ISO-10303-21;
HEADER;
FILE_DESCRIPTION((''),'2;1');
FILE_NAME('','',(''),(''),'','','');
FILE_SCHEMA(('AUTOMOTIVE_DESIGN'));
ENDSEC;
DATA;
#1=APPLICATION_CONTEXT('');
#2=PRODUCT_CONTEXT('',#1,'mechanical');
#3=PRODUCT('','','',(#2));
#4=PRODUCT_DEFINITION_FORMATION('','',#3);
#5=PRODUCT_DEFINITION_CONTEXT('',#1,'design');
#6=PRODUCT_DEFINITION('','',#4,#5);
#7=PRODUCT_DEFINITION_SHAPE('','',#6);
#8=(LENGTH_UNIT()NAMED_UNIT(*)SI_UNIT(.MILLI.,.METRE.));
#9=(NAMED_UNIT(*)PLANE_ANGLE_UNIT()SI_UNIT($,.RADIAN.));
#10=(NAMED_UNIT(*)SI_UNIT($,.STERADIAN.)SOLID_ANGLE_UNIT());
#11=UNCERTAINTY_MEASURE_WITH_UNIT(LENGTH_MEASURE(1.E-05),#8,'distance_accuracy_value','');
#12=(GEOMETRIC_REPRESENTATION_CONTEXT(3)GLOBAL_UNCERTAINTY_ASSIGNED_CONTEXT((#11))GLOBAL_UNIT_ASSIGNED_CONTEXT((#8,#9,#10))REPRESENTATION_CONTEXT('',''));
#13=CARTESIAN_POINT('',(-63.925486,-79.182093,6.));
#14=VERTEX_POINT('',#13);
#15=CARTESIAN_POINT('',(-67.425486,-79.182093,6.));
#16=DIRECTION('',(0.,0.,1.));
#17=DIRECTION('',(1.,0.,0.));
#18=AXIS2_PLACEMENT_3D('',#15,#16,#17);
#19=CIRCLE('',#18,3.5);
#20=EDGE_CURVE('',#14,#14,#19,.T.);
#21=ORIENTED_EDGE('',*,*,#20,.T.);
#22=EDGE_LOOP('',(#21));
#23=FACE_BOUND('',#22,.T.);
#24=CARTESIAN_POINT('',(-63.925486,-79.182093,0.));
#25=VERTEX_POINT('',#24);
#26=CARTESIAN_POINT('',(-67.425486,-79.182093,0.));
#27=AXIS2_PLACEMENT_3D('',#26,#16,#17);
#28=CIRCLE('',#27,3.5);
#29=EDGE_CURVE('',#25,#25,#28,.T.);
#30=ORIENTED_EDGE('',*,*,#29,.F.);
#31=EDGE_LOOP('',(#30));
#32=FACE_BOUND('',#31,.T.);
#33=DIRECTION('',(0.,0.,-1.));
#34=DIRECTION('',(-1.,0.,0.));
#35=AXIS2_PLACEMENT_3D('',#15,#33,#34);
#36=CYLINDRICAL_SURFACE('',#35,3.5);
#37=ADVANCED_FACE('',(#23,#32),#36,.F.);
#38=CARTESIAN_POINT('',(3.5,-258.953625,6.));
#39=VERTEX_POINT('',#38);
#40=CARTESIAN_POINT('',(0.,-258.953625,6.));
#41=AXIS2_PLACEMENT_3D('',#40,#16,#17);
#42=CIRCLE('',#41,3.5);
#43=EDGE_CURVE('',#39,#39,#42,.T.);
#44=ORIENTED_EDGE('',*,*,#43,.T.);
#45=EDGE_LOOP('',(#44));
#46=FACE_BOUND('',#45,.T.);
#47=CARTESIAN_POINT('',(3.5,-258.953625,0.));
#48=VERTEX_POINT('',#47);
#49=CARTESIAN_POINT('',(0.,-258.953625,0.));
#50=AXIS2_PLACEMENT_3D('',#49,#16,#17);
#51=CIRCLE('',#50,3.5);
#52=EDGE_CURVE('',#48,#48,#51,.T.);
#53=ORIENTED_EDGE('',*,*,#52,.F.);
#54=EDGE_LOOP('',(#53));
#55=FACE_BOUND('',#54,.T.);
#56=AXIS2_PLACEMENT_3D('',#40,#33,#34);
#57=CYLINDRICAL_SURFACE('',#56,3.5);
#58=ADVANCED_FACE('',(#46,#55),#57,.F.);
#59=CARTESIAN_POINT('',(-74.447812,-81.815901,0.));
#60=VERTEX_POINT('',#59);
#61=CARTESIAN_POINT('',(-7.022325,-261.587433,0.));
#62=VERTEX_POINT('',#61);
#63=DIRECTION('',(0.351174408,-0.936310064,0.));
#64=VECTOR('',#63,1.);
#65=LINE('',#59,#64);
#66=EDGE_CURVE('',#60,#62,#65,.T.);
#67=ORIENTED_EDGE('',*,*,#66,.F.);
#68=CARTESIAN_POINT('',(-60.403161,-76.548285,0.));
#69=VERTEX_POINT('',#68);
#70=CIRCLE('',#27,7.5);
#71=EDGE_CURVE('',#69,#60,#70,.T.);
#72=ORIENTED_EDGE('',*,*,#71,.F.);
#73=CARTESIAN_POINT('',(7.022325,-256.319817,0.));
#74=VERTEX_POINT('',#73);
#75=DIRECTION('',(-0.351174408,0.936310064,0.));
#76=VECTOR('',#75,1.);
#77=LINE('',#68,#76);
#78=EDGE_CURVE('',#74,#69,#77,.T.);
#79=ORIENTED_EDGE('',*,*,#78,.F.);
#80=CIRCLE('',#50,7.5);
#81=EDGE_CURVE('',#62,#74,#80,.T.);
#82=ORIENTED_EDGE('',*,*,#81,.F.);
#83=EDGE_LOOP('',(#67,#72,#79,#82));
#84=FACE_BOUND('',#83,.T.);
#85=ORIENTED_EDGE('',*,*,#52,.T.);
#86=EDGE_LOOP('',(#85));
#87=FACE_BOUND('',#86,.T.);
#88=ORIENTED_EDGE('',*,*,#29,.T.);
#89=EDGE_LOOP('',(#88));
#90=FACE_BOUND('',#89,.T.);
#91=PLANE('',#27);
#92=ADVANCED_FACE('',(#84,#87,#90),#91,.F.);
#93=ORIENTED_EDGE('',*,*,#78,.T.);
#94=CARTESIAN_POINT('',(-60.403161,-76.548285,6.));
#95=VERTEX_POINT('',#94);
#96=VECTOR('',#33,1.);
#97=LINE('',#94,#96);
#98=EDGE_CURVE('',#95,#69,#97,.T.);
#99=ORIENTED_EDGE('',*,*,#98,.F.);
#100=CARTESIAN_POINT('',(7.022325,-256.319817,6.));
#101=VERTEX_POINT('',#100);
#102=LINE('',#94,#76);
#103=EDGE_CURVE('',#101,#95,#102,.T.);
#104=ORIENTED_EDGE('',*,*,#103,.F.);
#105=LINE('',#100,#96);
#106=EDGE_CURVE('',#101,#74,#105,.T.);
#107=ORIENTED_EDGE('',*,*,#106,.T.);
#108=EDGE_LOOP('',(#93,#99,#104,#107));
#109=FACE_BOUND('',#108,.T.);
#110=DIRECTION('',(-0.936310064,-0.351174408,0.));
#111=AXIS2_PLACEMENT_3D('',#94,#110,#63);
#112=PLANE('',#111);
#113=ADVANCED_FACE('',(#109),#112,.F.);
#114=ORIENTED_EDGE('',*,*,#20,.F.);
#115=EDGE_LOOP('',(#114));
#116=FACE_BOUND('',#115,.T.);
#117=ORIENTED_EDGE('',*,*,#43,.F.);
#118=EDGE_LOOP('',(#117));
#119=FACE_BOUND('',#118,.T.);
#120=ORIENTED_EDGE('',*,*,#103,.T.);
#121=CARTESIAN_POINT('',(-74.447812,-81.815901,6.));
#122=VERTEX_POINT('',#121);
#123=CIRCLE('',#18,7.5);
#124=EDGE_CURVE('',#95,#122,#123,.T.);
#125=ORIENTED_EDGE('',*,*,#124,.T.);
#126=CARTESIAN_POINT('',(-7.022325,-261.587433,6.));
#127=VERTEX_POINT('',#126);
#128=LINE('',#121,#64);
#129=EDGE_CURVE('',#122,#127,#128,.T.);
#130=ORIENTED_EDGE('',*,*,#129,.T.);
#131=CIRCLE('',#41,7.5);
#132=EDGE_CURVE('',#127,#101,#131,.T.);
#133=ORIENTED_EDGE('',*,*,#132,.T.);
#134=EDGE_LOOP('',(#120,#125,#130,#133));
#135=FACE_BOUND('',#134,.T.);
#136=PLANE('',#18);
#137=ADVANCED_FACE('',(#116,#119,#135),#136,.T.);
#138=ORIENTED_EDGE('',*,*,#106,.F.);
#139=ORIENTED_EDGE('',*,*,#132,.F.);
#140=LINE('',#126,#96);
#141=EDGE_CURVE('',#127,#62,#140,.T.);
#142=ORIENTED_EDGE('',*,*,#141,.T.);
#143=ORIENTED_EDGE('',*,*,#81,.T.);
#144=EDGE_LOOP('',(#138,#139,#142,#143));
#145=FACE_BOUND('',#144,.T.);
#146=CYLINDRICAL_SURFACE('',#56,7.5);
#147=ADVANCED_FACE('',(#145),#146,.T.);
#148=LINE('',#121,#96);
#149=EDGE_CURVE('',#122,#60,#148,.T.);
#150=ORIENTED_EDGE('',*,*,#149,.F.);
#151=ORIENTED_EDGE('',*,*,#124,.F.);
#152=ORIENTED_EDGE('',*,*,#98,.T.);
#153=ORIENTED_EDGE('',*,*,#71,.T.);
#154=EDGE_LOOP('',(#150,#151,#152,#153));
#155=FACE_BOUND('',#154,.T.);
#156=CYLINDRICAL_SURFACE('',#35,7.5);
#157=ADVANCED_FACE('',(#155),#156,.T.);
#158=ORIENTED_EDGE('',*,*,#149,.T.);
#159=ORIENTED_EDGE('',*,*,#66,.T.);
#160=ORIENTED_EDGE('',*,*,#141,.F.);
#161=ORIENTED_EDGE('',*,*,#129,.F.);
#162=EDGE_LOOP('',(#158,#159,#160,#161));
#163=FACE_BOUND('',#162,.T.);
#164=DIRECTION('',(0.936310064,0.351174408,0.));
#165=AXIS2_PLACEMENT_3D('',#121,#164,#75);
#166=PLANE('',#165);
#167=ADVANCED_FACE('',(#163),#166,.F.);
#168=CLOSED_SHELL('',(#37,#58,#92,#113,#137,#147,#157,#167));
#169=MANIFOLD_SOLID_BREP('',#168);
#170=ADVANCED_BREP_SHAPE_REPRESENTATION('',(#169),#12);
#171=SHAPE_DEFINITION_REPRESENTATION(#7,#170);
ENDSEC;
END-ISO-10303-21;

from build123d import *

# Parameters (mm, degrees)
SKETCH1_R   = 3.5
TIBYA_DEPTH = 6


with BuildPart() as part:
    # Sketch1 → Tibya (new body)
    with BuildSketch(Plane.XY):
        with BuildLine():
            Line((-60.403160777, -76.548284636), (7.022325478, -256.319816875))
            ThreePointArc((7.022325478, -256.319816875), (2.633808057, -265.975950409), (-7.022325478, -261.587432988))
            Line((-7.022325478, -261.587432988), (-74.447811733, -81.81590075))
            ThreePointArc((-74.447811733, -81.81590075), (-70.059294312, -72.159767215), (-60.403160777, -76.548284636))
        make_face()
        with Locations((-67.425486255, -79.182092693)):
            Circle(SKETCH1_R, mode=Mode.SUBTRACT)
        with Locations((0, -258.953624931)):
            Circle(SKETCH1_R, mode=Mode.SUBTRACT)
    extrude(amount=TIBYA_DEPTH)


solid = part.part
